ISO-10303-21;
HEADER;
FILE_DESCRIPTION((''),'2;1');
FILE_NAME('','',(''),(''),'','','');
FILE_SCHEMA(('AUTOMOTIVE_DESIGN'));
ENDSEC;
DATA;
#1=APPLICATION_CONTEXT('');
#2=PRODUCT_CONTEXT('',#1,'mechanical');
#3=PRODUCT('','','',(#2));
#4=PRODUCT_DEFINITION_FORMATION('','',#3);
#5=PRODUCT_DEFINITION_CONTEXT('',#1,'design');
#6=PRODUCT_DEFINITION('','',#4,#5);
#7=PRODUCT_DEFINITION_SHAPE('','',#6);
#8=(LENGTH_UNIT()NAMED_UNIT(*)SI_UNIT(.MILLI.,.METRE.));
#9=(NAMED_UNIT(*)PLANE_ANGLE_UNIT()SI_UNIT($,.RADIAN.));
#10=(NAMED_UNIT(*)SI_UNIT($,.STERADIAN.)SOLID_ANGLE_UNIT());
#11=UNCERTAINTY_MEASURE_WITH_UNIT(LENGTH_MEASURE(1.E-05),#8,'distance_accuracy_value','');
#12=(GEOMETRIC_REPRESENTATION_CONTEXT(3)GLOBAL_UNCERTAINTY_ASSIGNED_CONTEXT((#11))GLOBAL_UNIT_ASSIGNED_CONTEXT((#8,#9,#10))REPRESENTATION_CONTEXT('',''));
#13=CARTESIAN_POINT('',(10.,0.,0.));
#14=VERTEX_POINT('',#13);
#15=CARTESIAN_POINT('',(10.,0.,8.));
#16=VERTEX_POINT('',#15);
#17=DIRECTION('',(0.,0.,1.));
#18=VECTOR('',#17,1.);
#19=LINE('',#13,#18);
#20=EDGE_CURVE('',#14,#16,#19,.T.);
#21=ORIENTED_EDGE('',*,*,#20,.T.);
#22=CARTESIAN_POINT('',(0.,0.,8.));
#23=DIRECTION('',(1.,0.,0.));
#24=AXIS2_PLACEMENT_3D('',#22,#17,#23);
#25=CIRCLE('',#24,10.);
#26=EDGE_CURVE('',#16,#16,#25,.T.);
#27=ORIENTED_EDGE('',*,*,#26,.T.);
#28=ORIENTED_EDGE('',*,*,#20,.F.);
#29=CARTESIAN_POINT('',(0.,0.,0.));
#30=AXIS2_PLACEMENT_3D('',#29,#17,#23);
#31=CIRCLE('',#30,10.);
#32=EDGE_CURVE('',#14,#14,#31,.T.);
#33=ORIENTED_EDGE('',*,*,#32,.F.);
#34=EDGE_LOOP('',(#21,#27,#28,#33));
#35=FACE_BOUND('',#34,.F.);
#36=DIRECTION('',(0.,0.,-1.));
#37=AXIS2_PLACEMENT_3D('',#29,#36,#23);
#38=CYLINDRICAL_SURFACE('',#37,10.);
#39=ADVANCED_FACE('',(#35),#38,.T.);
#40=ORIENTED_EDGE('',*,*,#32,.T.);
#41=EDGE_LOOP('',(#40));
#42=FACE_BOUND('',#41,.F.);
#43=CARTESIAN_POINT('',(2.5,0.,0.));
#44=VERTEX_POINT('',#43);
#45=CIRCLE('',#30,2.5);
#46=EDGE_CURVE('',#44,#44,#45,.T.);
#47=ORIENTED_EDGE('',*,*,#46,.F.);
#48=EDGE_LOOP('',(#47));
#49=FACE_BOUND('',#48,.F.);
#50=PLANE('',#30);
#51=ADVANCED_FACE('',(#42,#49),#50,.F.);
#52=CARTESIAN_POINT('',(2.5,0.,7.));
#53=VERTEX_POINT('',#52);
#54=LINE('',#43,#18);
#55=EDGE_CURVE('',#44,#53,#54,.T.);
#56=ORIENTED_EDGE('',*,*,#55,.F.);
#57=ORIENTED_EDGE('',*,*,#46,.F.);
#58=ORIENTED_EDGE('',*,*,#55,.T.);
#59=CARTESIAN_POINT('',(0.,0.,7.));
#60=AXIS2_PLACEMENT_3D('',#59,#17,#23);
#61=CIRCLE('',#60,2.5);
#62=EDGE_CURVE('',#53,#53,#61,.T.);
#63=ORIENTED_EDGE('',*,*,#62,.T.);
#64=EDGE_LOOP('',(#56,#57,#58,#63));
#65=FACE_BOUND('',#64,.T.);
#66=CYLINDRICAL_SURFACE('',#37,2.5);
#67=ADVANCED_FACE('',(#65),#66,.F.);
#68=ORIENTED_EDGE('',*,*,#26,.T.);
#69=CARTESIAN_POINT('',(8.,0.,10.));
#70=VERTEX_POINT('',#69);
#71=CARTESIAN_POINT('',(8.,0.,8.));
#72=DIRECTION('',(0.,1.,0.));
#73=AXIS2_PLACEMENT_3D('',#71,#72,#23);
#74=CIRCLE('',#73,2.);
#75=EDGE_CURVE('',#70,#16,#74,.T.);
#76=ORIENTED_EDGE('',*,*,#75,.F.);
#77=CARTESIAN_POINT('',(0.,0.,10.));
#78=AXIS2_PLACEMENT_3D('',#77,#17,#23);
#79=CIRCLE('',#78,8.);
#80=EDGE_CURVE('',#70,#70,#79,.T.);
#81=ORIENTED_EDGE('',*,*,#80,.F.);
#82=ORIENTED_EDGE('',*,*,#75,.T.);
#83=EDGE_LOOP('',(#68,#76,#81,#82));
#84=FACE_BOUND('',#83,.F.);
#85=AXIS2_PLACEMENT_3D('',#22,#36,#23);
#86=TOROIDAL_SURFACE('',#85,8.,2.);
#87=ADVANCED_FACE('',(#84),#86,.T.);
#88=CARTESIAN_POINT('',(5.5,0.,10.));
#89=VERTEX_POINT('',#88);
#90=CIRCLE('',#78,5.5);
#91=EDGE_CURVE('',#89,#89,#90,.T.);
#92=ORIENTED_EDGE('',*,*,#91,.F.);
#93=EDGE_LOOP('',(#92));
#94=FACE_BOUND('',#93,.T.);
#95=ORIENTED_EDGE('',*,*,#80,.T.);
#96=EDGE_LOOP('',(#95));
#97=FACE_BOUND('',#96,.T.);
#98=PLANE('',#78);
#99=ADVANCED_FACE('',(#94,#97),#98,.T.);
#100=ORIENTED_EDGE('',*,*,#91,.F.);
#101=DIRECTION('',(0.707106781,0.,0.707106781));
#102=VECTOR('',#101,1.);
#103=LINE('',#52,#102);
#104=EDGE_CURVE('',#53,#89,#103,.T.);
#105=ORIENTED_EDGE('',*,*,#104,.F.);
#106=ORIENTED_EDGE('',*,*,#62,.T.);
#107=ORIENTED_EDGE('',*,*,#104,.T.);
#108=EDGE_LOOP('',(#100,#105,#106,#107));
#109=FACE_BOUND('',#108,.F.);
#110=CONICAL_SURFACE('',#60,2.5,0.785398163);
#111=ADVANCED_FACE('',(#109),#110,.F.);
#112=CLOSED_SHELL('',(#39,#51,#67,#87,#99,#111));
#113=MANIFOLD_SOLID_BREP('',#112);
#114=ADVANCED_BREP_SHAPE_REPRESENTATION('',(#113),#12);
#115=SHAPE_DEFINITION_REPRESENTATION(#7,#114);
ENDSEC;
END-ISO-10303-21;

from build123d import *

# Parameters (mm, degrees)
F0_R     = 10
F0_R_2   = 2.5
F1_DEPTH = 10
F2_SIZE  = 3
F3_R     = 2


with BuildPart() as f1:
    # F0 (on Top) → F1 (new body)
    with BuildSketch(Plane.XY):
        Circle(F0_R)
        Circle(F0_R_2, mode=Mode.SUBTRACT)
    extrude(amount=F1_DEPTH)

    # F2
    f2_edges = [f1.edges().sort_by_distance(p)[0] for p in [
        (-2.5, 0, 10),
    ]]
    chamfer(f2_edges, length=F2_SIZE)

    # F3
    f3_edges = [f1.edges().sort_by_distance(p)[0] for p in [
        (-10, 0, 10),
    ]]
    fillet(f3_edges, radius=F3_R)


solid = f1.part
